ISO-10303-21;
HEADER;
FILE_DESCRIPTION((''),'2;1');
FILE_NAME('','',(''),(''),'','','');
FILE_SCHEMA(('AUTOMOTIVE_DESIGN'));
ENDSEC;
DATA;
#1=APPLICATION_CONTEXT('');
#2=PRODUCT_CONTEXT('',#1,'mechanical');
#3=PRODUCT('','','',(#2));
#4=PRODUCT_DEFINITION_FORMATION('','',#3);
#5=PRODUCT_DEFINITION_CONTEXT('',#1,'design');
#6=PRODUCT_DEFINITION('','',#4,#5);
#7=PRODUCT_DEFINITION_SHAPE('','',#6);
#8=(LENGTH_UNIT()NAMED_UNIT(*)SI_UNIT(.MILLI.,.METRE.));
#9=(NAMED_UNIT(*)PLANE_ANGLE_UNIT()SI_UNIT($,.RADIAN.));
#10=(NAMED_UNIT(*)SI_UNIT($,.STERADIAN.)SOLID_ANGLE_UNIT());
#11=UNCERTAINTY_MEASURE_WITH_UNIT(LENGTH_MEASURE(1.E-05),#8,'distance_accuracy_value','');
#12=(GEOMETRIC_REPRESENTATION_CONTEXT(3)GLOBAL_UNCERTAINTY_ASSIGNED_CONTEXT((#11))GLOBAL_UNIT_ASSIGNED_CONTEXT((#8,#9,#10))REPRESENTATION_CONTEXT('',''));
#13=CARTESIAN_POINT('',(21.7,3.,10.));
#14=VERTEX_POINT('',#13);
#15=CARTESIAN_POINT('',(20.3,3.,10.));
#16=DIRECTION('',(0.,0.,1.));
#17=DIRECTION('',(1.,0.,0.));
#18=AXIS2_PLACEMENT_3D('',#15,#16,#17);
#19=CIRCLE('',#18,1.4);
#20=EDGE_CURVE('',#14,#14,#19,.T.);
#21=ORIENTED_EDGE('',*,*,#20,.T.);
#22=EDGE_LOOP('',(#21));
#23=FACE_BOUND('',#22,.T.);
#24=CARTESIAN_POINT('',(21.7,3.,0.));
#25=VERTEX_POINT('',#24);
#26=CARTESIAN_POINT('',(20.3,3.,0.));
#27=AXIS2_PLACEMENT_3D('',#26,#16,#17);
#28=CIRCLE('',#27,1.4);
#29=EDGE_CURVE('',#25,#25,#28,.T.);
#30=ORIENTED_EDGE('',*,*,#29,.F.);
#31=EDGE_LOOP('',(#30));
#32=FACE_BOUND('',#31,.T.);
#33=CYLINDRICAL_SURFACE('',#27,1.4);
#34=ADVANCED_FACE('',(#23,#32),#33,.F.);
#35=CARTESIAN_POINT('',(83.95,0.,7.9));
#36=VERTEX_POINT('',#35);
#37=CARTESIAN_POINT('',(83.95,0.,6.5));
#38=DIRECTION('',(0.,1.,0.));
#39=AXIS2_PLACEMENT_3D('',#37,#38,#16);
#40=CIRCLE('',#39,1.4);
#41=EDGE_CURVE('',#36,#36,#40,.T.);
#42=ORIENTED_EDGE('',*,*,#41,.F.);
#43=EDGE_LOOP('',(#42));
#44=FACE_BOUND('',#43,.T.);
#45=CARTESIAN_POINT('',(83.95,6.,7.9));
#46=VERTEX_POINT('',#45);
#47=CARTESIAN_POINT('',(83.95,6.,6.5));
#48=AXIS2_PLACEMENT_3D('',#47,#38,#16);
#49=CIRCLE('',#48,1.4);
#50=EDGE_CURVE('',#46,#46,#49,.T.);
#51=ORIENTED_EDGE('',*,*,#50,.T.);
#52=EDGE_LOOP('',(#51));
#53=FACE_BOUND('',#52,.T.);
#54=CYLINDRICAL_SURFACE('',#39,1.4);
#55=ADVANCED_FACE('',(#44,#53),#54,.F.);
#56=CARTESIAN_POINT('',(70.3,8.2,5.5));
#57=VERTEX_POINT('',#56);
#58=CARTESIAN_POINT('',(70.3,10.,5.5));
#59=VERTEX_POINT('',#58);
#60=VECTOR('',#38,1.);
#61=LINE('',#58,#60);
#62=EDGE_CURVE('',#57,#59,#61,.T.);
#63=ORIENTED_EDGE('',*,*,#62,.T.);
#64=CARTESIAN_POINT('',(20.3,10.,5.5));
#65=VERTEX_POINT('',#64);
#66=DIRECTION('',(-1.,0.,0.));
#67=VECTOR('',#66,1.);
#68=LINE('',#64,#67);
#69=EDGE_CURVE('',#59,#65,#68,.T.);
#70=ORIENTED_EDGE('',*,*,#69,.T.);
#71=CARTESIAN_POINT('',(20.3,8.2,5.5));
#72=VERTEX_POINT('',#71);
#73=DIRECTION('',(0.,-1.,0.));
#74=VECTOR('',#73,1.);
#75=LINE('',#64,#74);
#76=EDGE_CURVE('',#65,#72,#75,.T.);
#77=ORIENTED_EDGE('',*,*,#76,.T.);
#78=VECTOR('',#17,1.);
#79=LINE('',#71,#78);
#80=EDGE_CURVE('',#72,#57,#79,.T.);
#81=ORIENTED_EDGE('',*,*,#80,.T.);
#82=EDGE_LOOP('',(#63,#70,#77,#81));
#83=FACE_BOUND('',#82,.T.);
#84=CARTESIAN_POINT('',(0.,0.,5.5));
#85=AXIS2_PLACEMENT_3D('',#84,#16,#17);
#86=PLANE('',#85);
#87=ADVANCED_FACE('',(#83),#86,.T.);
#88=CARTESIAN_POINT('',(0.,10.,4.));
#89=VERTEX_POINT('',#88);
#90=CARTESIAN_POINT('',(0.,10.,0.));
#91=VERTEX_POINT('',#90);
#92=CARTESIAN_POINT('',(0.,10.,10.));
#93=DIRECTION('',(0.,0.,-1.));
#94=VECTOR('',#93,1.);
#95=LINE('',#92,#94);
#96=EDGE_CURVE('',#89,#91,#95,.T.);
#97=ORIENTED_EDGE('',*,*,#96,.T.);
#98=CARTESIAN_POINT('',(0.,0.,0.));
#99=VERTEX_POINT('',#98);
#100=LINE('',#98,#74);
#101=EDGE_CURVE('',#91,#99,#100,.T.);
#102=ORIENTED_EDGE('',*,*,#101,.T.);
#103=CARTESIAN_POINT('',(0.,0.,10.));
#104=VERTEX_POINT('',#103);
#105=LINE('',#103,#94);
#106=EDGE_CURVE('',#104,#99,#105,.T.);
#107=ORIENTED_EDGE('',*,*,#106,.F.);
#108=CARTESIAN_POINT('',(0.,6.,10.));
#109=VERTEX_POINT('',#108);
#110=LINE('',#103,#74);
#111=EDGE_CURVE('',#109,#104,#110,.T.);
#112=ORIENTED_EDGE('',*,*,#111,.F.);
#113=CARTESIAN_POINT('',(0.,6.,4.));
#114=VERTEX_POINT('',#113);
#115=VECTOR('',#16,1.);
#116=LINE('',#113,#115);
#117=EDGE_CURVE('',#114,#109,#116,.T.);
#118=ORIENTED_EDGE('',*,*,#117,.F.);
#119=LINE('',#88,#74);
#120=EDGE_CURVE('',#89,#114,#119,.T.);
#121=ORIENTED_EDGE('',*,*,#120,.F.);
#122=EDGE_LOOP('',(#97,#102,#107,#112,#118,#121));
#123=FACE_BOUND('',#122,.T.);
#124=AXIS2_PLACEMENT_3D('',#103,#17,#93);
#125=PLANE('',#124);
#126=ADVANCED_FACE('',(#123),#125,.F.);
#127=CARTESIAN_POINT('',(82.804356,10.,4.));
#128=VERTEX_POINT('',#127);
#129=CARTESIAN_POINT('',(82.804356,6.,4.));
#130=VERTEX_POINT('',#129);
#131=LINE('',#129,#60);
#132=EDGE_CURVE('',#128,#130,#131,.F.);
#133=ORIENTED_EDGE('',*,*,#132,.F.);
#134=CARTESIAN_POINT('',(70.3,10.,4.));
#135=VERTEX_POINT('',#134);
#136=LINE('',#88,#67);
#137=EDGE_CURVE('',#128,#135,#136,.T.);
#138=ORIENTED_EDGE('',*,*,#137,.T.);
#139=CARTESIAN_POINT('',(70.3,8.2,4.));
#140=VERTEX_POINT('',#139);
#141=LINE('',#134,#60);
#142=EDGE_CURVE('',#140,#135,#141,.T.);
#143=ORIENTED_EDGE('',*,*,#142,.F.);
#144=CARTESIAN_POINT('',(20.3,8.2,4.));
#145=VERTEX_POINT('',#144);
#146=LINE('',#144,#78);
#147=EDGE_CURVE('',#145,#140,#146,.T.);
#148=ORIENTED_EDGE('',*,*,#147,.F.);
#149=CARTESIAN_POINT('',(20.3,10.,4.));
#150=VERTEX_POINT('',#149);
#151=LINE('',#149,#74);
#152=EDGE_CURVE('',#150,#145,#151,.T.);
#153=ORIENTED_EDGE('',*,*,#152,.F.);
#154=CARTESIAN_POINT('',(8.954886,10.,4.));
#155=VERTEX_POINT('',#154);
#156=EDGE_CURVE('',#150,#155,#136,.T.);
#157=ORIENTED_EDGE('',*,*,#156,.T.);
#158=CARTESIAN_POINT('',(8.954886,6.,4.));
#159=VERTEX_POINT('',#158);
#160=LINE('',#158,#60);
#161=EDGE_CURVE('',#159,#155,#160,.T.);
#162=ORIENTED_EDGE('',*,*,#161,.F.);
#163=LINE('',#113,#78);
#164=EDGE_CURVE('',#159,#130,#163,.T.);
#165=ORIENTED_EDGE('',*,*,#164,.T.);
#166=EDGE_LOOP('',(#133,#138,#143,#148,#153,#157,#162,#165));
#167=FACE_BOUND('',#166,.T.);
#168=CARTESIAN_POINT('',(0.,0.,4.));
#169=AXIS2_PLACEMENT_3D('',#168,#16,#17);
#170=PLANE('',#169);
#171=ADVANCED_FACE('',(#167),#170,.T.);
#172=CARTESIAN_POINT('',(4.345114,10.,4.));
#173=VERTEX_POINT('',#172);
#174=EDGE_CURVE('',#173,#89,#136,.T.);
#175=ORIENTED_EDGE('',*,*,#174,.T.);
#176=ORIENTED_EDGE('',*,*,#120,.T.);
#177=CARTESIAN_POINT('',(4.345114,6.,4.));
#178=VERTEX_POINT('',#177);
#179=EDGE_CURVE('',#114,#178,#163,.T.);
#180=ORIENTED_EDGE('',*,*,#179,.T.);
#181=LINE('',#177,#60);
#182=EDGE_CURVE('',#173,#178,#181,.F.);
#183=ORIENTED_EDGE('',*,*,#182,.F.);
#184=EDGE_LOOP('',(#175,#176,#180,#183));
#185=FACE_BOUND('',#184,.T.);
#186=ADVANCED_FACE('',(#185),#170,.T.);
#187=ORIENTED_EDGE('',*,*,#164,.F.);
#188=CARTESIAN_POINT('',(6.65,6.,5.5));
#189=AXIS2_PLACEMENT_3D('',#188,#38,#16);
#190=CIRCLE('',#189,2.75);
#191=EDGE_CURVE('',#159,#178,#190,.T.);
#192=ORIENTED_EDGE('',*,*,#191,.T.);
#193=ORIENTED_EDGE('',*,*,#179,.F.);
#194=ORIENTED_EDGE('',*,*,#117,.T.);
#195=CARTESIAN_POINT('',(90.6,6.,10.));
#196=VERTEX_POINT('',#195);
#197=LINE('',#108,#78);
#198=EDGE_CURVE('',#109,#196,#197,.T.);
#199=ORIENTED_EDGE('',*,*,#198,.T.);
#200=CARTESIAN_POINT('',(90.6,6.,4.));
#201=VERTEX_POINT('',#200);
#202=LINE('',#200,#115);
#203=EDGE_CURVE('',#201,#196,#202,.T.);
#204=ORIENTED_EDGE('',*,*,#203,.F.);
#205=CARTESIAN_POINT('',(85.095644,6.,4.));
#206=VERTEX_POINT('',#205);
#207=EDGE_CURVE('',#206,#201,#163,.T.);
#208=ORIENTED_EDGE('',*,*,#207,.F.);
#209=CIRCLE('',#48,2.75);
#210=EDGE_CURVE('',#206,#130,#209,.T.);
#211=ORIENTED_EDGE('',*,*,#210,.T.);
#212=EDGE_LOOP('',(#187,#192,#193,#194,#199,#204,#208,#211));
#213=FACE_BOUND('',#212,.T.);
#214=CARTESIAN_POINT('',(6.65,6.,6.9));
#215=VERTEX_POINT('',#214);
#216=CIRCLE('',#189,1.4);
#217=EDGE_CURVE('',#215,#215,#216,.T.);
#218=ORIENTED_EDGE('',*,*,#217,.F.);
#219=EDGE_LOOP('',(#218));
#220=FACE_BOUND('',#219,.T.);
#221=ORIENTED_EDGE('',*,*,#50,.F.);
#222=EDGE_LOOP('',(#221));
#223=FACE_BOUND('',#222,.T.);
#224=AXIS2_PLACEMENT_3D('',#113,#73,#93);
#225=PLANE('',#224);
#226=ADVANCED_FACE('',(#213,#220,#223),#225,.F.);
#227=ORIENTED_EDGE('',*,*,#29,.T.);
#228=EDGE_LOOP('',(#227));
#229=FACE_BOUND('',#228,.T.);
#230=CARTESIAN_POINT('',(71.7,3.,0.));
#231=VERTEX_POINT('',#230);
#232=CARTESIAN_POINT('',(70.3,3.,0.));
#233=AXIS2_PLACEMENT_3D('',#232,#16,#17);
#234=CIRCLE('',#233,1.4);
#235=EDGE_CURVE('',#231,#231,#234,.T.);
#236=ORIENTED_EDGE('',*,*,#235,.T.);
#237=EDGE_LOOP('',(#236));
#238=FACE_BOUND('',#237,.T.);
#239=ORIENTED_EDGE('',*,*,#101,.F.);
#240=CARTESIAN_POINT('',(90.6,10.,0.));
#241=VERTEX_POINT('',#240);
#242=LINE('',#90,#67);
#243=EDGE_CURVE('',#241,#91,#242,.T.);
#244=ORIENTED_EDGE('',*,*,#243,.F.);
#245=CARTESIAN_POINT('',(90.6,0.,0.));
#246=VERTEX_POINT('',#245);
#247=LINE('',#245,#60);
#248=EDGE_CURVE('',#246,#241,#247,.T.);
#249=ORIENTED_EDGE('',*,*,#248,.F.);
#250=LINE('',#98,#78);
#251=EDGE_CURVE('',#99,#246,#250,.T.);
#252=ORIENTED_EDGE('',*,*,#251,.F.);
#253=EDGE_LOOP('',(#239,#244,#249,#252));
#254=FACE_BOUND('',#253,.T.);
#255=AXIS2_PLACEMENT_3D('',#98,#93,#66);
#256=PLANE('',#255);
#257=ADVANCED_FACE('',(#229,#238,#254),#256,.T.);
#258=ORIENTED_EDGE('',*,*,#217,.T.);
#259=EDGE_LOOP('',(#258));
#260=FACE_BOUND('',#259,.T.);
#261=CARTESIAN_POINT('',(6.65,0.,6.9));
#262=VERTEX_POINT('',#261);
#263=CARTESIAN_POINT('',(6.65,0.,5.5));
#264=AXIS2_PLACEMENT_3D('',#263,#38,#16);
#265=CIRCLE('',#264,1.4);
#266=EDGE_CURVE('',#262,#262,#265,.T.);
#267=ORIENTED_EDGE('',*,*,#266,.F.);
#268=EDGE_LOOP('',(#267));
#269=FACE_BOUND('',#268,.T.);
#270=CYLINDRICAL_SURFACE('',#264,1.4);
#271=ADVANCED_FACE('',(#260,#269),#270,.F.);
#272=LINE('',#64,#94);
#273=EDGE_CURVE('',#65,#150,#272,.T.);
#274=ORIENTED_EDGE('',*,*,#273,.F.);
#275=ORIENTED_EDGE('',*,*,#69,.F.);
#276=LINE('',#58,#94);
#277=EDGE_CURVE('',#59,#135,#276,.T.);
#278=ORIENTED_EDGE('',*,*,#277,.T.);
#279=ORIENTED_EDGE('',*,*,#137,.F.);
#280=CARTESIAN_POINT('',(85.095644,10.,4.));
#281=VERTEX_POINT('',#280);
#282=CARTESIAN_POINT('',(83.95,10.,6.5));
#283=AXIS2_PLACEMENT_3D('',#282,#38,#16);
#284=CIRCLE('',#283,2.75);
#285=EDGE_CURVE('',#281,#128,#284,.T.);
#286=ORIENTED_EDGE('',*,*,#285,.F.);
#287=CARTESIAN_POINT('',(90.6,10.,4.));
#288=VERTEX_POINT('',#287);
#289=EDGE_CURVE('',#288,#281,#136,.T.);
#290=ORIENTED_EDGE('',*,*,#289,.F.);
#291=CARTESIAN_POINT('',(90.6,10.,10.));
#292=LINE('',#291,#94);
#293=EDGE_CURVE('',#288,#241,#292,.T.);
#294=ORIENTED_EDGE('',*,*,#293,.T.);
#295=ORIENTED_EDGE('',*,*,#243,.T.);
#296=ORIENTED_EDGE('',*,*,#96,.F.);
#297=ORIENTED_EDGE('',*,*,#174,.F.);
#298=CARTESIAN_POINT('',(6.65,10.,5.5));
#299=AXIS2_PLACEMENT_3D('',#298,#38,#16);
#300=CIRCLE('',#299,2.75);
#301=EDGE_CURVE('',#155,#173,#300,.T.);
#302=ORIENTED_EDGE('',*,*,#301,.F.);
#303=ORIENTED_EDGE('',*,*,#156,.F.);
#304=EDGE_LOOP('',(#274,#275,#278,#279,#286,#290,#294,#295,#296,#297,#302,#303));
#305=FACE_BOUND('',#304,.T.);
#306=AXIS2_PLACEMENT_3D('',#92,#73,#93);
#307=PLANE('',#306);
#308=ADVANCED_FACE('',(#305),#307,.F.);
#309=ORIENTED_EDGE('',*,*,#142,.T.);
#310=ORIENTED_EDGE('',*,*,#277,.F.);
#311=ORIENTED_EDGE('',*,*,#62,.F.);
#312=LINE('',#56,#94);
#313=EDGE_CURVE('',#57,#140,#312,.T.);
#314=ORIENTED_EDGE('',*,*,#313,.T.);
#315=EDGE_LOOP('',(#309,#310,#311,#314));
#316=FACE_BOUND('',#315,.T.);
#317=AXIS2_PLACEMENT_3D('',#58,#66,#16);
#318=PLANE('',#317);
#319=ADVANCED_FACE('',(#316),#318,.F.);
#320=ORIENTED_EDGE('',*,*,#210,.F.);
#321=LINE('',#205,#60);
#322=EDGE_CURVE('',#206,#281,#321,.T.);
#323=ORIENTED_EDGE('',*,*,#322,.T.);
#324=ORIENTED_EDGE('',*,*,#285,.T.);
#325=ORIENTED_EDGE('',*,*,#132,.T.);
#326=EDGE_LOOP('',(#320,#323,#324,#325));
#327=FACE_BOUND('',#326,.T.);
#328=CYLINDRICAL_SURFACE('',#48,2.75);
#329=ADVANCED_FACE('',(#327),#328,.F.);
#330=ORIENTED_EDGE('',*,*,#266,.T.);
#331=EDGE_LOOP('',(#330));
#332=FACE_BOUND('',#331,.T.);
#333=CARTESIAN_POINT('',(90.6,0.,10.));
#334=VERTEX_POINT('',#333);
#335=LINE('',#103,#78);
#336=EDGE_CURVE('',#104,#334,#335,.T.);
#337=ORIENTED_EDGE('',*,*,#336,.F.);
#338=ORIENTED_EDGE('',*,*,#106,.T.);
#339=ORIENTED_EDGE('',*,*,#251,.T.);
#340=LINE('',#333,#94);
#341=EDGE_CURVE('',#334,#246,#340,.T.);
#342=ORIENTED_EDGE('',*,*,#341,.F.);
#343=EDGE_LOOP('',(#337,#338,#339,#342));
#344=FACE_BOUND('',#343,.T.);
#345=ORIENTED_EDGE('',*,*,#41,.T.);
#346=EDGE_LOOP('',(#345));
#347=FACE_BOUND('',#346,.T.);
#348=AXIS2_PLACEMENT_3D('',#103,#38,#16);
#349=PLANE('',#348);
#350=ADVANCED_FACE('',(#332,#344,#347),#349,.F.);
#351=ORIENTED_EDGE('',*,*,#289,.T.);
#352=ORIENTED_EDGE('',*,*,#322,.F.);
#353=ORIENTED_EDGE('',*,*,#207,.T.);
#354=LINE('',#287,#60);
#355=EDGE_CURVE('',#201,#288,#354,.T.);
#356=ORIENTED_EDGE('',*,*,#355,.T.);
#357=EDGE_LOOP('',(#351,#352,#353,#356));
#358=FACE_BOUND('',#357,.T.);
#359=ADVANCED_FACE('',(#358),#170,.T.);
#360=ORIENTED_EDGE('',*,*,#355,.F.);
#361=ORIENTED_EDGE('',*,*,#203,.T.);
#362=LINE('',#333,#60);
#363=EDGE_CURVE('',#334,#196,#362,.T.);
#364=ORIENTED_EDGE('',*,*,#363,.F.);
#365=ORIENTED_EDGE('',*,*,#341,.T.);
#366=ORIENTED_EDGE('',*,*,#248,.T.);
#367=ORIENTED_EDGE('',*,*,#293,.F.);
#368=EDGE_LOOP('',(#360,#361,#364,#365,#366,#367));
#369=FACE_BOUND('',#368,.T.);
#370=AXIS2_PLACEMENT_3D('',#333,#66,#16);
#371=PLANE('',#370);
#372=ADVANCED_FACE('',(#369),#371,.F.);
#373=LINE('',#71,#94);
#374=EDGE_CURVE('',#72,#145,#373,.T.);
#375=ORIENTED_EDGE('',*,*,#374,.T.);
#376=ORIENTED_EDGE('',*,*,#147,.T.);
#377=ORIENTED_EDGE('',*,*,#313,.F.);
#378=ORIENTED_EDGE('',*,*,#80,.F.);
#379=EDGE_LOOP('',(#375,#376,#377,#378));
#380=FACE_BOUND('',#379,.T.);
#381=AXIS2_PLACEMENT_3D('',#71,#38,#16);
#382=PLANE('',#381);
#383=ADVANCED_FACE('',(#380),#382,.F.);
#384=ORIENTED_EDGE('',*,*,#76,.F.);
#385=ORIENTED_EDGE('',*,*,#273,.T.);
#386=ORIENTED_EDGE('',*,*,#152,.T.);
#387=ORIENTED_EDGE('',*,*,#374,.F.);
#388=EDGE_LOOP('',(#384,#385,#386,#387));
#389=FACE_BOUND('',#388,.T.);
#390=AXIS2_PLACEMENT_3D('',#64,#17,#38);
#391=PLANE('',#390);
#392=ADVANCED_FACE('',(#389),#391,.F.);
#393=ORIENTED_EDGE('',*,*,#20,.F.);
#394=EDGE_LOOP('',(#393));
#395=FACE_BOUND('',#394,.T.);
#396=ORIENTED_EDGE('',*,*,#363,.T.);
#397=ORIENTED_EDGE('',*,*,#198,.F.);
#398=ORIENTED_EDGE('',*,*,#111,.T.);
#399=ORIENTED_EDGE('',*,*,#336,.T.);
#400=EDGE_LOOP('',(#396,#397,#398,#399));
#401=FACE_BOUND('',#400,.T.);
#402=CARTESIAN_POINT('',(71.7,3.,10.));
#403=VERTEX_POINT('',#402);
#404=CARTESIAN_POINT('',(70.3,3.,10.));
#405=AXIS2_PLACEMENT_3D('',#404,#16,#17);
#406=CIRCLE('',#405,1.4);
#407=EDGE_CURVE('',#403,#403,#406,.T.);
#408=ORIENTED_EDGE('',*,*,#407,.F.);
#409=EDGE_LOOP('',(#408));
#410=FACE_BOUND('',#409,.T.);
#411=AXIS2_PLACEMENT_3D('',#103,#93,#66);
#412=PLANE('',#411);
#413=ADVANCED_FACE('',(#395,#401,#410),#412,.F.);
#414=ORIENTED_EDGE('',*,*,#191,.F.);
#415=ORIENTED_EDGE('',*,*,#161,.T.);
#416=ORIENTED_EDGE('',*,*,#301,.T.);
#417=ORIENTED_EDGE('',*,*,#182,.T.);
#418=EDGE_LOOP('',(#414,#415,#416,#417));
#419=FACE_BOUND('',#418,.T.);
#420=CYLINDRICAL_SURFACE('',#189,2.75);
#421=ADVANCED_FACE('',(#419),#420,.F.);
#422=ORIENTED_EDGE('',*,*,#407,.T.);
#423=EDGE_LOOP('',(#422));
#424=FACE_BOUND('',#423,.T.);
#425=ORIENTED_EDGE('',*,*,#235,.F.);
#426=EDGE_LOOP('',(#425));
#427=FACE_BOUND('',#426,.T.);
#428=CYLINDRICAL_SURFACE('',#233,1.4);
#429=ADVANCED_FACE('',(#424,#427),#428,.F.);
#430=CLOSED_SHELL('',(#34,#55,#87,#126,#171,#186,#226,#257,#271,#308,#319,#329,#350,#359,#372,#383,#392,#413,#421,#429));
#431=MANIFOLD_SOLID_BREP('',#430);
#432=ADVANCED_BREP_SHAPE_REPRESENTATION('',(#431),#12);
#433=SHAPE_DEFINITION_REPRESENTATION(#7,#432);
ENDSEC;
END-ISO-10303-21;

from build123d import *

# Parameters (mm, degrees)
ESQUISSE1_W             = 90.6
ESQUISSE1_H             = 10
BOSS_EXTRU_1_DEPTH      = 10
ESQUISSE2_W             = 90.6
ESQUISSE2_H             = 4
ENL_V_MAT_EXTRU_1_DEPTH = 6
ESQUISSE3_R             = 1.4
ENL_V_MAT_EXTRU_2_DEPTH = 6
ESQUISSE4_W             = 50
ESQUISSE4_H             = 1.8
BOSS_EXTRU_2_DEPTH      = 1.5
ESQUISSE5_R             = 2.75
ENL_V_MAT_EXTRU_3_DEPTH = 4
ESQUISSE6_R             = 1.4
ENL_V_MAT_EXTRU_4_DEPTH = 11


with BuildPart() as part:
    # Esquisse1 → Boss.-Extru.1 (new body)
    with BuildSketch(Plane.XY):
        with Locations((45.3, 5)):
            Rectangle(ESQUISSE1_W, ESQUISSE1_H)
    extrude(amount=BOSS_EXTRU_1_DEPTH)

    # Esquisse2 → Enlèv. mat.-Extru.1 (cut)
    with BuildSketch(Plane.XY.offset(10)):
        with Locations((45.3, 8)):
            Rectangle(ESQUISSE2_W, ESQUISSE2_H)
    extrude(amount=-ENL_V_MAT_EXTRU_1_DEPTH, mode=Mode.SUBTRACT)

    # Esquisse3 → Enlèv. mat.-Extru.2 (cut)
    with BuildSketch(Plane(origin=(0, 6, 0), x_dir=(1, 0, 0), z_dir=(0, 1, 0))):
        with Locations((6.65, -5.5)):
            Circle(ESQUISSE3_R)
        with Locations((83.95, -6.5)):
            Circle(ESQUISSE3_R)
    extrude(amount=-ENL_V_MAT_EXTRU_2_DEPTH, mode=Mode.SUBTRACT)

    # Esquisse4 → Boss.-Extru.2 (add)
    with BuildSketch(Plane.XY.offset(4)):
        with Locations((45.3, 9.1)):
            Rectangle(ESQUISSE4_W, ESQUISSE4_H)
    extrude(amount=BOSS_EXTRU_2_DEPTH)

    # Esquisse5 → Enlèv. mat.-Extru.3 (cut)
    with BuildSketch(Plane(origin=(0, 10, 0), x_dir=(1, 0, 0), z_dir=(0, 1, 0))):
        with Locations((6.65, -5.5)):
            Circle(ESQUISSE5_R)
        with Locations((83.95, -6.5)):
            Circle(ESQUISSE5_R)
    extrude(amount=-ENL_V_MAT_EXTRU_3_DEPTH, mode=Mode.SUBTRACT)

    # Esquisse6 → Enlèv. mat.-Extru.4 (cut, through all)
    with BuildSketch(Plane.XY.offset(10)):
        with Locations((20.3, 3)):
            Circle(ESQUISSE6_R)
        with Locations((70.3, 3)):
            Circle(ESQUISSE6_R)
    extrude(amount=-ENL_V_MAT_EXTRU_4_DEPTH, mode=Mode.SUBTRACT)


solid = part.part
